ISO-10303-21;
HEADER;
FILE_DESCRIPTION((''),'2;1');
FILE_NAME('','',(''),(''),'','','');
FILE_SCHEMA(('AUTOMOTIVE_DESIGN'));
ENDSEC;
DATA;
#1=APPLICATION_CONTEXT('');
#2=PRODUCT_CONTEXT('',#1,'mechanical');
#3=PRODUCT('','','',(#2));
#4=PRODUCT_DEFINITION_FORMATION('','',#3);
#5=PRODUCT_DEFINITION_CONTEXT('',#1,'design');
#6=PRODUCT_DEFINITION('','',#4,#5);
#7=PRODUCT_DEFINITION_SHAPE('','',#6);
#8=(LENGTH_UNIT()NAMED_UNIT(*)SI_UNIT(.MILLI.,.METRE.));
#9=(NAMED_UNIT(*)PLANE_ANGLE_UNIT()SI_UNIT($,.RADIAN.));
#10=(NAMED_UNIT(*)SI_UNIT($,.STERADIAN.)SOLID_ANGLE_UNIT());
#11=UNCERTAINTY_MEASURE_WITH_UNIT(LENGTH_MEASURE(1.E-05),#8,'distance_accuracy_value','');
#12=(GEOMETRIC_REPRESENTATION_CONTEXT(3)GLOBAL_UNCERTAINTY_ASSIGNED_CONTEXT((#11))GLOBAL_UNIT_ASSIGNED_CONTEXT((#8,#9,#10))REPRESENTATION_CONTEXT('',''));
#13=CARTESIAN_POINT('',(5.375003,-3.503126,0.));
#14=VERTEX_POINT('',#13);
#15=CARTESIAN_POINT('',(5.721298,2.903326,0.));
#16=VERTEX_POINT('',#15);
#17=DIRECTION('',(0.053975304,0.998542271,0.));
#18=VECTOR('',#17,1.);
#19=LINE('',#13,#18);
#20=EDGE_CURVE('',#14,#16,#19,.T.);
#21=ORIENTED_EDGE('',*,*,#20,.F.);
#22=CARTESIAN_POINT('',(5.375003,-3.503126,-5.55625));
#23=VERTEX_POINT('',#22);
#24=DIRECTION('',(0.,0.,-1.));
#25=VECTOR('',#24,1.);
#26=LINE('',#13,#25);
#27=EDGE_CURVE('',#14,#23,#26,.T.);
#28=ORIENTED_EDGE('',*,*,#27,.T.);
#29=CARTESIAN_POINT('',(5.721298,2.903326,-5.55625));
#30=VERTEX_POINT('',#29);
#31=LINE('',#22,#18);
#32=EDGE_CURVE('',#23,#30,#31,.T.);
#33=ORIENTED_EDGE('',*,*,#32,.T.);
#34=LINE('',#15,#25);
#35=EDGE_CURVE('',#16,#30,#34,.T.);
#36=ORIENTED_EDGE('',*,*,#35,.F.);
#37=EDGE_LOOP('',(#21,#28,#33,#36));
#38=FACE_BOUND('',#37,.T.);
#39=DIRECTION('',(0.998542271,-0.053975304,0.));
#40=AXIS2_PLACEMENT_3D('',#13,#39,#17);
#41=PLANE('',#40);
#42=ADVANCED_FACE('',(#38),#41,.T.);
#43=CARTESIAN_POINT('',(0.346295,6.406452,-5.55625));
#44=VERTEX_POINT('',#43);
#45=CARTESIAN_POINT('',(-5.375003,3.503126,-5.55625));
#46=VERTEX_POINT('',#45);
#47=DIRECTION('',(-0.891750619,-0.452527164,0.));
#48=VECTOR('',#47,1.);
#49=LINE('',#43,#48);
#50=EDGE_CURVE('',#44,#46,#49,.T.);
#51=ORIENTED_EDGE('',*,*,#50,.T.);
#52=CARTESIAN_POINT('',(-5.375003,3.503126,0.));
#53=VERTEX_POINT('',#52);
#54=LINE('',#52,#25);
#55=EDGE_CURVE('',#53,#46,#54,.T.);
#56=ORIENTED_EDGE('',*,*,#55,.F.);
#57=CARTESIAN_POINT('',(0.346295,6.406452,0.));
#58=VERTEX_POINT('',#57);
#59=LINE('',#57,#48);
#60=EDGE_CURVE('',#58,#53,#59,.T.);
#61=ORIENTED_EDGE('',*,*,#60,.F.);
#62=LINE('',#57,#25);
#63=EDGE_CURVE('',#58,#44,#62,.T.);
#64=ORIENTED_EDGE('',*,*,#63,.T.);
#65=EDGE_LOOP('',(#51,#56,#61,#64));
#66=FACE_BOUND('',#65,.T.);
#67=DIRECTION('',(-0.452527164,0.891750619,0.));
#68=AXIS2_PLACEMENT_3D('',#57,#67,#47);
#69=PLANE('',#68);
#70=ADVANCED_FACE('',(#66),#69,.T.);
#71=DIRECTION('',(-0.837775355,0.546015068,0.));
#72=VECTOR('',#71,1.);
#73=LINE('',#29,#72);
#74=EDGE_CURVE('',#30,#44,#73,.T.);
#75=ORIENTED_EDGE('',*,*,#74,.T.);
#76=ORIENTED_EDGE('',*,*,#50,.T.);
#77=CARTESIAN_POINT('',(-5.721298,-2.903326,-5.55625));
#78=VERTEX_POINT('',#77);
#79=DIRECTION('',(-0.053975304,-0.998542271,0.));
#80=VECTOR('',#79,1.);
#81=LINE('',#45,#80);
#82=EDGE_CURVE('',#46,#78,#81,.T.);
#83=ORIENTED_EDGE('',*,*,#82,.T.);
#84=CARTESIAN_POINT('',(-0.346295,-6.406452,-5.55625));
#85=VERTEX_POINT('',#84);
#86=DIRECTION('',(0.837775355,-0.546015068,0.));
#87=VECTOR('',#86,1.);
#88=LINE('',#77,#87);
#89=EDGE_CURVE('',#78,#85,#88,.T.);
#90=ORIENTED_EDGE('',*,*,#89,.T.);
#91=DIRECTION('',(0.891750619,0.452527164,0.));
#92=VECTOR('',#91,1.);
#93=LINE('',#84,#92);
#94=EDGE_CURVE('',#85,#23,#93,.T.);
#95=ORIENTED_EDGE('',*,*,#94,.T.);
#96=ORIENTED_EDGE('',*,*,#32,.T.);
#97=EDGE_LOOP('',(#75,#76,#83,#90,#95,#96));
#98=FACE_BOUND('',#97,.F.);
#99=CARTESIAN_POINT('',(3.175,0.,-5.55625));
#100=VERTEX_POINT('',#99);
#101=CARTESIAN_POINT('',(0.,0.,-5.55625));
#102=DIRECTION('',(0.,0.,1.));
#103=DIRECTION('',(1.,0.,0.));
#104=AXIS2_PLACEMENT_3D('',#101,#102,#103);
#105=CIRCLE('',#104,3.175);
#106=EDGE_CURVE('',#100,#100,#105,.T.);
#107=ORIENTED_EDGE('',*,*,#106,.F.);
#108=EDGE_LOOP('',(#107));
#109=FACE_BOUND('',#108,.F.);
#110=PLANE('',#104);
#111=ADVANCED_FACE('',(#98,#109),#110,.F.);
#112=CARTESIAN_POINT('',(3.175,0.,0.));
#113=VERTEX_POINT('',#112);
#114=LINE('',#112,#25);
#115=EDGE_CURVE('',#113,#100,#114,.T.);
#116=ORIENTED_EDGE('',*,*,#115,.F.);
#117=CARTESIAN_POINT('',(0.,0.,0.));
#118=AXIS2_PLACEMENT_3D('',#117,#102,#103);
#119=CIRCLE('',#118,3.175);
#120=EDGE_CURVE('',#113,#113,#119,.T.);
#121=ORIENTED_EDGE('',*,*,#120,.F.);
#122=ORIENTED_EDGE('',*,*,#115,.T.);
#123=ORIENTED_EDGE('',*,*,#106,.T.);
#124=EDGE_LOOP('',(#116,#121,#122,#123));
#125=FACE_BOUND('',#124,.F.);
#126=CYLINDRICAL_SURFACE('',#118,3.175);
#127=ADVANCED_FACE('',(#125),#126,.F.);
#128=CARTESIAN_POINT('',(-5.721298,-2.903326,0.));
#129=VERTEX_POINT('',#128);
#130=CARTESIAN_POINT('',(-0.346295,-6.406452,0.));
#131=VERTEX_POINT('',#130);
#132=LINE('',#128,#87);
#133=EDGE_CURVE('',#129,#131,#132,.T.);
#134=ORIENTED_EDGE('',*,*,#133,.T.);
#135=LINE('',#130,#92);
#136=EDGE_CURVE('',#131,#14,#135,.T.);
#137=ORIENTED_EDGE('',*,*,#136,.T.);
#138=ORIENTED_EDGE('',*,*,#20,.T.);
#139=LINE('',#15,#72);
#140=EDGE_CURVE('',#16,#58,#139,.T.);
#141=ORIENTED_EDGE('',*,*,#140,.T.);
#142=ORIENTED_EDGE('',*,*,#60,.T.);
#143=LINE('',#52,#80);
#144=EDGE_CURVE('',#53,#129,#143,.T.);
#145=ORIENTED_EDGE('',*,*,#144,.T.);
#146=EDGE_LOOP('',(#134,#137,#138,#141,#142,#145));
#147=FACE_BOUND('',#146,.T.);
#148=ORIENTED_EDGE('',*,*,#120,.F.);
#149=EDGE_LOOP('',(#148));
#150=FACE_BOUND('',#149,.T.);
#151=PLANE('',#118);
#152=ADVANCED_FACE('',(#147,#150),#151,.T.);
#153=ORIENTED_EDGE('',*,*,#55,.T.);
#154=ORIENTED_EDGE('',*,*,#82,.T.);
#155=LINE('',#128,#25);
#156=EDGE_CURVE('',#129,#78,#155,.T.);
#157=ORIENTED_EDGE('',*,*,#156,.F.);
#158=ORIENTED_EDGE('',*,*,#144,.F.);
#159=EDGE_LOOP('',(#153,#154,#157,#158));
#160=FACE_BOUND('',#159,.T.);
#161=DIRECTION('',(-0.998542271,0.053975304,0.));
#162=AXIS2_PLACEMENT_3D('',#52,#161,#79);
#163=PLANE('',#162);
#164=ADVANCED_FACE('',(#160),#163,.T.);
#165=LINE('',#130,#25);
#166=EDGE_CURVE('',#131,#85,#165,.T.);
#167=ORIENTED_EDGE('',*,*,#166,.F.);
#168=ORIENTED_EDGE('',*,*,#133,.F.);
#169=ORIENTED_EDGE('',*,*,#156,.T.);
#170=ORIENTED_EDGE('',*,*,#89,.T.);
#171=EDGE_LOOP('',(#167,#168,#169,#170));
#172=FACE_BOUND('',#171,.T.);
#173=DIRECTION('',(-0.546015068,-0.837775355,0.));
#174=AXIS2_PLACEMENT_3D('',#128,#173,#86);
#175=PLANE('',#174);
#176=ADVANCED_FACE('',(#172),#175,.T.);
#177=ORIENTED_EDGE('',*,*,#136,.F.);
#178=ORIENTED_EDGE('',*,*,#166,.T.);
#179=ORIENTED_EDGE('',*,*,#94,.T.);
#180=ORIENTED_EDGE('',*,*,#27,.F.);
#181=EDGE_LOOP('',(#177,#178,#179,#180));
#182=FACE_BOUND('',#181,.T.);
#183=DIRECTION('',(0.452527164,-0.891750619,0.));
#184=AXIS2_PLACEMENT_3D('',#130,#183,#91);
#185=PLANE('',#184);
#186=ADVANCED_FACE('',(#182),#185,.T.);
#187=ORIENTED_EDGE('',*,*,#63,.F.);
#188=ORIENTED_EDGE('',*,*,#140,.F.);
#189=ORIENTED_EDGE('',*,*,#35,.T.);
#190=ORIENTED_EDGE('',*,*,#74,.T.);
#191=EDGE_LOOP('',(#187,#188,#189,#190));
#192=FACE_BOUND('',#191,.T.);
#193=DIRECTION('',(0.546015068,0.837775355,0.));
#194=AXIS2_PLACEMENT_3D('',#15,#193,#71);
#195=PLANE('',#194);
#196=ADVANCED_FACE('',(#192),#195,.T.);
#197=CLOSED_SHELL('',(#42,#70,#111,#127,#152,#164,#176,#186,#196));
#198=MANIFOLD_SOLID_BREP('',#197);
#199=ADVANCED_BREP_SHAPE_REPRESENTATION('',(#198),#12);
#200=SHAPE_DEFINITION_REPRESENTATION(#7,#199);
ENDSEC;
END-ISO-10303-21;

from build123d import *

# Parameters (mm, degrees)
F1_DEPTH = 5.55625
F2_R     = 3.175
F3_DEPTH = 5.55625


with BuildPart() as f1:
    # F0 (on Top) → F1 (new body)
    with BuildSketch(Plane.XY):
        Polygon((-0.346295, -6.406452), (5.375003, -3.503126), (5.721298, 2.903326), (0.346295, 6.406452), (-5.375003, 3.503126), (-5.721298, -2.903326), align=None)
    extrude(amount=-F1_DEPTH)

    # F2 (on face) → F3 (cut, through all)
    with BuildSketch(Plane.XY):
        Circle(F2_R)
    extrude(amount=-F3_DEPTH, mode=Mode.SUBTRACT)


solid = f1.part
